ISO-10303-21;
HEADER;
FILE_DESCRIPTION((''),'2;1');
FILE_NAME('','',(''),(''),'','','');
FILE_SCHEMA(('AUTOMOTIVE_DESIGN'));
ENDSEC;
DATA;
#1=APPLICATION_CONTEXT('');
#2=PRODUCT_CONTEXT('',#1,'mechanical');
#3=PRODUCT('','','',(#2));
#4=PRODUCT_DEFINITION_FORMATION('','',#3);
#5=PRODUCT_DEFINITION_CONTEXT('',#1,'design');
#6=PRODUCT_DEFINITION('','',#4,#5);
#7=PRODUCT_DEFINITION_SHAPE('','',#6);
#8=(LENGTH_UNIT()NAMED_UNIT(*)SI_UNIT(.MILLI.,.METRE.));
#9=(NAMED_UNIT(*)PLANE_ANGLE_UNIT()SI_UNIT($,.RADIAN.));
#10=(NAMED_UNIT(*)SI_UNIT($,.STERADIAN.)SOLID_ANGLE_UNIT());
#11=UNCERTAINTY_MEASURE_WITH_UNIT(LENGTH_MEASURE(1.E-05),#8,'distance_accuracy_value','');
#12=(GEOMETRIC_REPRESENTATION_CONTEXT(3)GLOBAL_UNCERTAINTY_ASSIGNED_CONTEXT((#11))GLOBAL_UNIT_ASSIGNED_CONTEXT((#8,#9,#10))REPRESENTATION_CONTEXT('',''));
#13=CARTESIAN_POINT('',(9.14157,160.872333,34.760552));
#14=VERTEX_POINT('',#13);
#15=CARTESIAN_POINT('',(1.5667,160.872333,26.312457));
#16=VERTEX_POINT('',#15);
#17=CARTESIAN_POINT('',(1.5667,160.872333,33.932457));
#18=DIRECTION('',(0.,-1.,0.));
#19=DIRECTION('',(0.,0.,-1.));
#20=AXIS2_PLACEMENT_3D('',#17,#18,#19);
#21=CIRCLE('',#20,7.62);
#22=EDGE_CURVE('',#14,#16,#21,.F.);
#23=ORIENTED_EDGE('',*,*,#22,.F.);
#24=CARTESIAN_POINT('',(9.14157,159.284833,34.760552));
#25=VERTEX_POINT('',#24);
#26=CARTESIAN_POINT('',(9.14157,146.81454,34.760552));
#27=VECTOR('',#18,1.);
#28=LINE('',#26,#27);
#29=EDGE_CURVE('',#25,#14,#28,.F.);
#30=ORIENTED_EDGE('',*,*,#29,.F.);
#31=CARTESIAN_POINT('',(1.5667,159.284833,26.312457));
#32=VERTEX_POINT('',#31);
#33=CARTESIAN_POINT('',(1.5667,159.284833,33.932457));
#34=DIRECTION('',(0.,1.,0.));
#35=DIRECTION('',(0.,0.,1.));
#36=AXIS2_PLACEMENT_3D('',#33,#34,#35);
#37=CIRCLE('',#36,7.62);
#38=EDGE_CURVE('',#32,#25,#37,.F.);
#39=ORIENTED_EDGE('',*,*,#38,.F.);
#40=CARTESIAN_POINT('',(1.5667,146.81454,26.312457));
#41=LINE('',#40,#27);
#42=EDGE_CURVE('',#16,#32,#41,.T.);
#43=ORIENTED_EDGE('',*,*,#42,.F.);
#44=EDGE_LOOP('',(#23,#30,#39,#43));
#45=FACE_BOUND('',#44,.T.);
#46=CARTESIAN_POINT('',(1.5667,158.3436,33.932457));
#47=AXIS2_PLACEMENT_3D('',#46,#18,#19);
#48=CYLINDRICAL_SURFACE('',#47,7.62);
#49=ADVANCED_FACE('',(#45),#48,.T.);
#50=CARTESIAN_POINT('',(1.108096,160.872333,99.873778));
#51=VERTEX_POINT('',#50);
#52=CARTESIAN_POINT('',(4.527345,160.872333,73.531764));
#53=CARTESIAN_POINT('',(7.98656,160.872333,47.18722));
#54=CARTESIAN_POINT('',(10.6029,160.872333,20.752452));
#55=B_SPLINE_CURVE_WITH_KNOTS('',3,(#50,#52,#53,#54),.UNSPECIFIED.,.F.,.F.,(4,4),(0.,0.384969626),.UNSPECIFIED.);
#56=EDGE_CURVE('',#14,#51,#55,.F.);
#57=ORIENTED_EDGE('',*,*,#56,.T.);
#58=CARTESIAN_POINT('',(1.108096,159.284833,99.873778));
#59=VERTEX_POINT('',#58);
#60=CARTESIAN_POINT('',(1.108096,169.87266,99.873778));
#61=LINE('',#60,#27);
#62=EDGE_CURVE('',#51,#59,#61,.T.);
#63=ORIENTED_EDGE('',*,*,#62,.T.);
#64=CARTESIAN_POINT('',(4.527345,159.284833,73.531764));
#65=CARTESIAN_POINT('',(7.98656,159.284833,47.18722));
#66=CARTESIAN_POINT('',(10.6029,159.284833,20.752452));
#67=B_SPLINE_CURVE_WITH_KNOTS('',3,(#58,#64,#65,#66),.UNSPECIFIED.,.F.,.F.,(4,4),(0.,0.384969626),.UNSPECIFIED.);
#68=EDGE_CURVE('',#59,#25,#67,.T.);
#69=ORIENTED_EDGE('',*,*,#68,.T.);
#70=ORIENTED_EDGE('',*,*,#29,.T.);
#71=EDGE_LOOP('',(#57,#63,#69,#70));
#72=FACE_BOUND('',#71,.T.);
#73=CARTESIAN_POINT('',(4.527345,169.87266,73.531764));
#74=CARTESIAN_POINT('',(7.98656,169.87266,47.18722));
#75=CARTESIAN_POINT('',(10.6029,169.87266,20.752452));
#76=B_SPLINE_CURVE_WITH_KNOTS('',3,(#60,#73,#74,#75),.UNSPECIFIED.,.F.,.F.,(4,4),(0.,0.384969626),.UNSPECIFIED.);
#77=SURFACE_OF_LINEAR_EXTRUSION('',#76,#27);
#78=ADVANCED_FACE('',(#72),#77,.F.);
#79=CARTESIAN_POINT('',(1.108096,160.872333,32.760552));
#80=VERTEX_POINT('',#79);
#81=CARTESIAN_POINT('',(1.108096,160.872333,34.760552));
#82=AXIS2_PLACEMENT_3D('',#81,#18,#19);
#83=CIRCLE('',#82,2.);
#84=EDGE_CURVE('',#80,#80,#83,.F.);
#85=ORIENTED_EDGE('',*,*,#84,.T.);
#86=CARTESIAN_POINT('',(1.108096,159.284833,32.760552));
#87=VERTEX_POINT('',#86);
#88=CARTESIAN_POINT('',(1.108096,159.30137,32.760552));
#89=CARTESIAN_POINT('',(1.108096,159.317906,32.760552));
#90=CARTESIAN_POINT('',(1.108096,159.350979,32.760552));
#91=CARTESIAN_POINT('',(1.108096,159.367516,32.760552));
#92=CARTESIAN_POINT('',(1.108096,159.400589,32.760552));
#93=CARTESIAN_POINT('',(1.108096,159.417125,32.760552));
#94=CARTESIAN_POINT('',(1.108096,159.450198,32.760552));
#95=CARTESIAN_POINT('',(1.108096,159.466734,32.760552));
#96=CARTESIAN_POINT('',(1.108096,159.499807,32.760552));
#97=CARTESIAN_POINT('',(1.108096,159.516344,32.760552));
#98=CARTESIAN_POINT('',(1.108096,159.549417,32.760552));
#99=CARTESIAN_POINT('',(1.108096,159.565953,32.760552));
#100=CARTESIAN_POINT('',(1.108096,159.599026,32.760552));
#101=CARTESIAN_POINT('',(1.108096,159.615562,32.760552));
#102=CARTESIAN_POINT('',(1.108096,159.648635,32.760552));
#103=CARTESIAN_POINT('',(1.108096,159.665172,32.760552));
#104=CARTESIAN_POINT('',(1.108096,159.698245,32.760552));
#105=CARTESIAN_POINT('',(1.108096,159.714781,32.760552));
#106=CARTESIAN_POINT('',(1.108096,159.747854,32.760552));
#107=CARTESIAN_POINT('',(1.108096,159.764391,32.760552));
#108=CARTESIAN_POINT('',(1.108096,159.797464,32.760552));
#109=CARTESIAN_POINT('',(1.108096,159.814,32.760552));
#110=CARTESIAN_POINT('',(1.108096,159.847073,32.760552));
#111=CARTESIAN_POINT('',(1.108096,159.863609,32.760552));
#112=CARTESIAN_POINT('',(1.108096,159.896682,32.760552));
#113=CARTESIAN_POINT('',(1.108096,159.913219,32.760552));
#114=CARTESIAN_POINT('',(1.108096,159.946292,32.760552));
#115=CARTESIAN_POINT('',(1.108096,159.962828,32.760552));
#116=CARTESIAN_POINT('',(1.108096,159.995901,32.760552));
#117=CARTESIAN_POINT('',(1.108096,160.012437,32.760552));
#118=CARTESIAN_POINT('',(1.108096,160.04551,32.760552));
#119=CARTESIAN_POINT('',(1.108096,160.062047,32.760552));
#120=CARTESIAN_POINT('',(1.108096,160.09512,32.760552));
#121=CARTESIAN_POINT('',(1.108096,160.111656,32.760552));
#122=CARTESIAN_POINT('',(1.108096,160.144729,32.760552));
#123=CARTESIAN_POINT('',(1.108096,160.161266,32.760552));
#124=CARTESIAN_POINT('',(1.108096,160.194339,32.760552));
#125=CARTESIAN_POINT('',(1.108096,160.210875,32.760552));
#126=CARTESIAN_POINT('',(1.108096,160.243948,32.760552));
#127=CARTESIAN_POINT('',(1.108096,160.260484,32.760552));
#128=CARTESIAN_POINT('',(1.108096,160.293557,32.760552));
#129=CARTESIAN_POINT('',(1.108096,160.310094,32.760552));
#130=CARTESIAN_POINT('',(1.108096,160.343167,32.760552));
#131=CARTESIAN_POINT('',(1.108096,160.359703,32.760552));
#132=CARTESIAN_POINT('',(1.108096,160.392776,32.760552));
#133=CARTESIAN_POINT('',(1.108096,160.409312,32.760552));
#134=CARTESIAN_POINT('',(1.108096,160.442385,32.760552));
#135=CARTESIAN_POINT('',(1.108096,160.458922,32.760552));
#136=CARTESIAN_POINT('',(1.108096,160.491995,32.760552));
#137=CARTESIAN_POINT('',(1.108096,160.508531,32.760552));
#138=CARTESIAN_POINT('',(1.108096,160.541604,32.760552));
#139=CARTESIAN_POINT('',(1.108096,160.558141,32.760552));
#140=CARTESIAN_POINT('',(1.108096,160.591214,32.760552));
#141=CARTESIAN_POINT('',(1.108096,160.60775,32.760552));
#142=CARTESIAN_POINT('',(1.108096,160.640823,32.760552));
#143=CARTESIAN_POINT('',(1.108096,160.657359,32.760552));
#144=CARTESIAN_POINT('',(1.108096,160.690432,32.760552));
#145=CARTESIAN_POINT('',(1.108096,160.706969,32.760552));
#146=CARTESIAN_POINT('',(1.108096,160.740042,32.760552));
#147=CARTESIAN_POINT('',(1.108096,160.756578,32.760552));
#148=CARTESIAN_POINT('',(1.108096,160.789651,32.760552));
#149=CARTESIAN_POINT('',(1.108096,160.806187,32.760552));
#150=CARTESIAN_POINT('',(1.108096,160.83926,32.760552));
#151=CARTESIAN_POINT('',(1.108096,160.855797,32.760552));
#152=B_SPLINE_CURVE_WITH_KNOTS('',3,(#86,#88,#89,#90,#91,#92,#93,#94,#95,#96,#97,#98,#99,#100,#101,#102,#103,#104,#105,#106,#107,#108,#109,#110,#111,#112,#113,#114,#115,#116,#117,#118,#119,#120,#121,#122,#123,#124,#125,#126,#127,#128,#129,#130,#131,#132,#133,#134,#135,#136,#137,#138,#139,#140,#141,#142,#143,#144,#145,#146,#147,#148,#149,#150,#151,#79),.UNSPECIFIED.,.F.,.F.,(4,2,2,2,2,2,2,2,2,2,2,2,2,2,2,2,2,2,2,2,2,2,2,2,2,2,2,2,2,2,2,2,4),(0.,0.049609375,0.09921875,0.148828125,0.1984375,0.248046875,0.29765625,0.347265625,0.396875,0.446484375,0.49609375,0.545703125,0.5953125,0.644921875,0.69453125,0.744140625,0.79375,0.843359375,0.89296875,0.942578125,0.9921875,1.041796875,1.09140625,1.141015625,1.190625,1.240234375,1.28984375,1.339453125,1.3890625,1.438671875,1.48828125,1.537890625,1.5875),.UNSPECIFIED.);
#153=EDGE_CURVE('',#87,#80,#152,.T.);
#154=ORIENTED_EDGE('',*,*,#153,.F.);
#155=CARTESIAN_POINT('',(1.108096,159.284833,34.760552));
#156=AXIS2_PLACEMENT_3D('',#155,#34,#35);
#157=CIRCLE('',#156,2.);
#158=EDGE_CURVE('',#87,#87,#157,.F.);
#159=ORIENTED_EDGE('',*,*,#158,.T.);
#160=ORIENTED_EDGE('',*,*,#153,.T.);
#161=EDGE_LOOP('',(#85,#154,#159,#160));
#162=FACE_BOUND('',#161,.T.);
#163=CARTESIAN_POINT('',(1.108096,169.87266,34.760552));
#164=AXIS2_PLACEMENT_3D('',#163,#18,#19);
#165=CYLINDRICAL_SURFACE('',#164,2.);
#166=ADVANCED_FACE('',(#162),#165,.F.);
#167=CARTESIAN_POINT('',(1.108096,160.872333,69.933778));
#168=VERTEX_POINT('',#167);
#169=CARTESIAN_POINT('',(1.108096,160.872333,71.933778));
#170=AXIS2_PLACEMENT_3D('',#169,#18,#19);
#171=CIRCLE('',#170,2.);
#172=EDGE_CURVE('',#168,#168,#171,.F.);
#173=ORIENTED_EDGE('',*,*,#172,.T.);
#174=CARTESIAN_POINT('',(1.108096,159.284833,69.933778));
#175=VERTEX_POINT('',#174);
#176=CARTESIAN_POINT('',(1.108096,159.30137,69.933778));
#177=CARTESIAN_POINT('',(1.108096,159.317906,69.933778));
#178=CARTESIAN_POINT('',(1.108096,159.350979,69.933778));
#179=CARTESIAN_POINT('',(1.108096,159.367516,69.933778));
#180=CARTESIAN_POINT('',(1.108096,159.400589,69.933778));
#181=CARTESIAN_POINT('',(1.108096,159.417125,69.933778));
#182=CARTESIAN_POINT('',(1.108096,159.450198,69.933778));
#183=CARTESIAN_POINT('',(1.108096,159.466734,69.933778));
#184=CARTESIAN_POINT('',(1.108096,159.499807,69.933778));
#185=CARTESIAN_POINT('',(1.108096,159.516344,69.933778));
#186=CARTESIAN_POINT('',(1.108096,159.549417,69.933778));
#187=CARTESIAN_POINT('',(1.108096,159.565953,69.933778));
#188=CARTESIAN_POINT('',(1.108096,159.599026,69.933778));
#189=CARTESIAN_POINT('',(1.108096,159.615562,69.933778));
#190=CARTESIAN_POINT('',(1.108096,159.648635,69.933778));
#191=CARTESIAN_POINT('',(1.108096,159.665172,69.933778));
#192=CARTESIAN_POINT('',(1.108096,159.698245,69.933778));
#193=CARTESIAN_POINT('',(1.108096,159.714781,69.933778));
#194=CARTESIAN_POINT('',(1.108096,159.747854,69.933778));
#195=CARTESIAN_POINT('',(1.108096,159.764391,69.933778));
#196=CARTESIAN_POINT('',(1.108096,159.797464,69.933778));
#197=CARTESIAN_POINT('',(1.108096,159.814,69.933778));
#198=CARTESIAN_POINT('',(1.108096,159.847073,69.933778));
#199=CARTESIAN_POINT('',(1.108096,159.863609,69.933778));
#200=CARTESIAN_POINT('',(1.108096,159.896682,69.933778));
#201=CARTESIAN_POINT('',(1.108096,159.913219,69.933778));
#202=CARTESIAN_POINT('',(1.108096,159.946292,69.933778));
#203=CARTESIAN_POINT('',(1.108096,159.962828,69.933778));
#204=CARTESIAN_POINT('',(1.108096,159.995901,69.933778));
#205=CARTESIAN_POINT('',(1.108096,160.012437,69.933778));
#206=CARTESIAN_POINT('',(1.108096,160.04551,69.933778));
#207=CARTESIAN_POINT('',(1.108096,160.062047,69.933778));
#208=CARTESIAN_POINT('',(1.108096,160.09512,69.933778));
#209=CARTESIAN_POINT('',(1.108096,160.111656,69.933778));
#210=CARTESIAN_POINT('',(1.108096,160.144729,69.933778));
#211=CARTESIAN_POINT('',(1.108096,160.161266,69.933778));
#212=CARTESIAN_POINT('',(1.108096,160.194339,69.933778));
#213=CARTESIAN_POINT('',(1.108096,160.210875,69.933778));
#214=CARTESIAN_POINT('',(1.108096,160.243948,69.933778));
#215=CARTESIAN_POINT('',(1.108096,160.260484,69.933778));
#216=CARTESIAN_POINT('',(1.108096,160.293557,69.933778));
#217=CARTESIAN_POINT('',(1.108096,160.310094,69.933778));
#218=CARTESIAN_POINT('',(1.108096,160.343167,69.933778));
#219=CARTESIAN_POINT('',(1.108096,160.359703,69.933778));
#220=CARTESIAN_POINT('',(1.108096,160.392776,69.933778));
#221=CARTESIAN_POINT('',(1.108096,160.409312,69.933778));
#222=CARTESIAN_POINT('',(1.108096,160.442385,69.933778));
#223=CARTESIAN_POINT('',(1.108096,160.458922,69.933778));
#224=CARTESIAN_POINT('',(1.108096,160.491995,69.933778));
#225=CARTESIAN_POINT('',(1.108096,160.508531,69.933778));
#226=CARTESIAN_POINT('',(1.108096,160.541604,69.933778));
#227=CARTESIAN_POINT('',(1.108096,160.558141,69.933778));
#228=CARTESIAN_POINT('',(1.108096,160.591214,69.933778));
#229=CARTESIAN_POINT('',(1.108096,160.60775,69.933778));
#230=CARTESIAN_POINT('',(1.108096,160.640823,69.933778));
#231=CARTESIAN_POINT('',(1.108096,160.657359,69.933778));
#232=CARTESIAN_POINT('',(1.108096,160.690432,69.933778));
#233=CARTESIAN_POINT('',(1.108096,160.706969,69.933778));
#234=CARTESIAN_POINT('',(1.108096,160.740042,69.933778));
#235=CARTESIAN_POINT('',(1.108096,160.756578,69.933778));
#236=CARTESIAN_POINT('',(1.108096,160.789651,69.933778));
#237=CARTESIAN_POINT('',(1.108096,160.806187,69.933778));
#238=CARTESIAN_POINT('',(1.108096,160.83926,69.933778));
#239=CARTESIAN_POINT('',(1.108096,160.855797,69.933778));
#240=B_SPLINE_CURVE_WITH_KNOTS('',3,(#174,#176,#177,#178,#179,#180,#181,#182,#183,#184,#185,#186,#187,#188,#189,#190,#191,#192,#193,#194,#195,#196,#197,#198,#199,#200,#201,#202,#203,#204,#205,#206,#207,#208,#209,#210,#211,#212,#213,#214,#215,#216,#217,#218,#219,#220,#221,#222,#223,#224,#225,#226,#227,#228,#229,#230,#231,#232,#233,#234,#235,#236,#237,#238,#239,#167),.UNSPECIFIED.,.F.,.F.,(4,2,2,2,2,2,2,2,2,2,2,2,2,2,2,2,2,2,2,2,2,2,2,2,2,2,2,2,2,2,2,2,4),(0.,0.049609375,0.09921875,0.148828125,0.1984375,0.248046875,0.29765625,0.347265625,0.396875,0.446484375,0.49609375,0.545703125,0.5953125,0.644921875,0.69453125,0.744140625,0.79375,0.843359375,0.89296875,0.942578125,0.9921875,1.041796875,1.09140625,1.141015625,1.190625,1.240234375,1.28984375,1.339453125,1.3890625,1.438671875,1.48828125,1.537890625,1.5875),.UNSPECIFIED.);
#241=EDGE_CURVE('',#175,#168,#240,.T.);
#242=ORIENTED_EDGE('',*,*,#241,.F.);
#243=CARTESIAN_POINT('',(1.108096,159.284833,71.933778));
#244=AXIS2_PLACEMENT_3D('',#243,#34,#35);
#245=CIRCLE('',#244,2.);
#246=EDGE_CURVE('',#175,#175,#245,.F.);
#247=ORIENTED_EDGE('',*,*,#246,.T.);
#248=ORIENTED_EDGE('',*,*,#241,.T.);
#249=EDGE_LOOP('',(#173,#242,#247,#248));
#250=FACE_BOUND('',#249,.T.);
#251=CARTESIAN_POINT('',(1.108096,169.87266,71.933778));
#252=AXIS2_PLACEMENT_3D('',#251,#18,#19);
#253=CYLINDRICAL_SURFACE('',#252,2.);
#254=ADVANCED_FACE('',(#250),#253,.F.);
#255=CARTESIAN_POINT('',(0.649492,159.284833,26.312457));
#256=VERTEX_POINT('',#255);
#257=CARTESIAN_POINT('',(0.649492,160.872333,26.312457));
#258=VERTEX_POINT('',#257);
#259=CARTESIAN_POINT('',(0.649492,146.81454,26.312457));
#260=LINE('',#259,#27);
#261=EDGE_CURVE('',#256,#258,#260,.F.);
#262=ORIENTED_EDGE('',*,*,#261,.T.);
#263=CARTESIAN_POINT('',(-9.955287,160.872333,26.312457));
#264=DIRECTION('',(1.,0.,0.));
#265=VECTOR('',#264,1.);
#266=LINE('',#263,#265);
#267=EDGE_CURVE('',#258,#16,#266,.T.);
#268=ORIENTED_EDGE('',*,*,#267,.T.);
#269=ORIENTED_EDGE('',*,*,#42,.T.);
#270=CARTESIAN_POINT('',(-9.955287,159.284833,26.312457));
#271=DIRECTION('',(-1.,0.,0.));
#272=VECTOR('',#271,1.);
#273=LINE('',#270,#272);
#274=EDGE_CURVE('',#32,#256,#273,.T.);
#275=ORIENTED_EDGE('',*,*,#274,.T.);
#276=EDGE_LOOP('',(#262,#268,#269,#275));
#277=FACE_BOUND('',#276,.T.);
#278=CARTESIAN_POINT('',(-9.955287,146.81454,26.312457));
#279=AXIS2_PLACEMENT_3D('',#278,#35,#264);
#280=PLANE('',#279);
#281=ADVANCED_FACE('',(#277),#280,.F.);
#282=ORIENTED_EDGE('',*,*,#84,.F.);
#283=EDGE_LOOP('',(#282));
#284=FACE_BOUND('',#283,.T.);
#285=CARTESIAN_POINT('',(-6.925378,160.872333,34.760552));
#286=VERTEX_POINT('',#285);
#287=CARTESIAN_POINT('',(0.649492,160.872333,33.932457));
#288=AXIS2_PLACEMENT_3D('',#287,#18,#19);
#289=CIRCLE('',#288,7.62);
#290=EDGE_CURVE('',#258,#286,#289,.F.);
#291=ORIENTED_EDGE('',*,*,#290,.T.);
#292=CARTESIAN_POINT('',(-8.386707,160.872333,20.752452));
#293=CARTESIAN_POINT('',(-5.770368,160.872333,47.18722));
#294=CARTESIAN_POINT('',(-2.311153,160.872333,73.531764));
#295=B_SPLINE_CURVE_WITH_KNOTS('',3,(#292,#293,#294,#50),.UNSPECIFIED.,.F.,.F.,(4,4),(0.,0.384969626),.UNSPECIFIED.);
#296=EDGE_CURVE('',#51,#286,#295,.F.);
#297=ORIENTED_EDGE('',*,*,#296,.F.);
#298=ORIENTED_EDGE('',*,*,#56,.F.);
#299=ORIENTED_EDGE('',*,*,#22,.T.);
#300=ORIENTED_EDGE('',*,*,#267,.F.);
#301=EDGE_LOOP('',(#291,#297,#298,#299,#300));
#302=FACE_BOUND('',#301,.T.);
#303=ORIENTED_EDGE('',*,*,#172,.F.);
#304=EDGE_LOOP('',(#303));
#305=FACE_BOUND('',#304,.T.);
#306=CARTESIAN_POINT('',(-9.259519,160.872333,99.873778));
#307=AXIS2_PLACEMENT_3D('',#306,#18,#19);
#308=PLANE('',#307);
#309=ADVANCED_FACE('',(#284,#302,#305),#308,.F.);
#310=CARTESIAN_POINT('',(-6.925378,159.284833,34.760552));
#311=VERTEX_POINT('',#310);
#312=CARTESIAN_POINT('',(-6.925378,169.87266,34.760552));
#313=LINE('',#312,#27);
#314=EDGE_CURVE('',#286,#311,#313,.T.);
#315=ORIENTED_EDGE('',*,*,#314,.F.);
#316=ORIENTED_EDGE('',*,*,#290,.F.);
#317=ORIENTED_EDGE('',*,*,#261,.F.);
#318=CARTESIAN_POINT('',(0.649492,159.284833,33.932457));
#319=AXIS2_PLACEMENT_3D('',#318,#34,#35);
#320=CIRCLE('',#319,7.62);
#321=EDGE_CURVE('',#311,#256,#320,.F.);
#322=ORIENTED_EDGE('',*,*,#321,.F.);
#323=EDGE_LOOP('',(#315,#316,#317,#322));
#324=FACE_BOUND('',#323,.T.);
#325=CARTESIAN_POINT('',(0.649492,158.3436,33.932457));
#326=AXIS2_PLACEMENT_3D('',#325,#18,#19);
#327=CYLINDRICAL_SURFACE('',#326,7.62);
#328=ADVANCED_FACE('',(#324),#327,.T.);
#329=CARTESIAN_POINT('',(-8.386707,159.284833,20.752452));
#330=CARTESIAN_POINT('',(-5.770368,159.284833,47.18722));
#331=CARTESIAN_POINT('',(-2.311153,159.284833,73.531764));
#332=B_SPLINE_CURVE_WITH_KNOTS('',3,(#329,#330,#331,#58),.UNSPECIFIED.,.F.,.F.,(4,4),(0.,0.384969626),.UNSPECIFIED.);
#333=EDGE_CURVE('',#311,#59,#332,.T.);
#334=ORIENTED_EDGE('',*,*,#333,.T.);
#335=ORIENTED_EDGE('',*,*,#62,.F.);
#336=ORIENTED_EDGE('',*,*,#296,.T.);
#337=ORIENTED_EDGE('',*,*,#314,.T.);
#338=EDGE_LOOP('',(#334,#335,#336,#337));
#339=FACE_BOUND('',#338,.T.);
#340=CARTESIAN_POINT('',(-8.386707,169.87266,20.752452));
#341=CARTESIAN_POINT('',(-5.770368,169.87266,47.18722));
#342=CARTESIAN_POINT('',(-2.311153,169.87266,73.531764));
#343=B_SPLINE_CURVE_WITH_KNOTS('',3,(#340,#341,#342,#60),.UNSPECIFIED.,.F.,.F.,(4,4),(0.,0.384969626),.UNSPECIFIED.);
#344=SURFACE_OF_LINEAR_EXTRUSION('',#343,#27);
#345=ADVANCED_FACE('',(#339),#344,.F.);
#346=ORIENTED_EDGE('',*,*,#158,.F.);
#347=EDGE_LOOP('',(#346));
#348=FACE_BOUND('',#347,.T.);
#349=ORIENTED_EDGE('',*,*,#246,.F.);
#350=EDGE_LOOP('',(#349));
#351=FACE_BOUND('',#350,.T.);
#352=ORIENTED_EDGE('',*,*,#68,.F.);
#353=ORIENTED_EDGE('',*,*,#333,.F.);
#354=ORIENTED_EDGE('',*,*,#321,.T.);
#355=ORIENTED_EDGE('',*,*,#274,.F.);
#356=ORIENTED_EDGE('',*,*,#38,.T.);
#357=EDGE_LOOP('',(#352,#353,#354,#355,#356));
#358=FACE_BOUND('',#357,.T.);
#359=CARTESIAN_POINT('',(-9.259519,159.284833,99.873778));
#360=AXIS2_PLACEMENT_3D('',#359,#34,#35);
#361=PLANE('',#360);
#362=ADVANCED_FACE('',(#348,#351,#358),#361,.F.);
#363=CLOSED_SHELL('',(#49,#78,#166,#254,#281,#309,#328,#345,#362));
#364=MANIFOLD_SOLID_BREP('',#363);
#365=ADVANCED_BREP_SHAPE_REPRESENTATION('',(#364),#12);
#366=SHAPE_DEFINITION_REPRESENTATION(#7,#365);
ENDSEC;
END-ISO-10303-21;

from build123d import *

# Parameters (mm, degrees)
SKETCH1_R               = 1.984375
BOSS_EXTRUDE1_DEPTH     = 169.87266
SKETCH2_W               = 35.763807095
SKETCH2_H               = 22.705005105
CUT_EXTRUDE1_DEPTH      = 23.05812
CUT_EXTRUDE2_START      = -169.87266
SKETCH2_2_W             = 35.763807095
SKETCH2_2_H             = 22.705005105
CUT_EXTRUDE2_DEPTH      = 23.05812
FILLET1_R               = 7.62
CUT_EXTRUDE3_DEPTH      = 198.390942599
CUT_EXTRUDE3_DEPTH_BACK = 198.390942599
SKETCH6_R               = 2
CUT_EXTRUDE4_DEPTH      = 198.390942599
CUT_EXTRUDE4_DEPTH_BACK = 198.390942599
SKETCH7_W               = 96.266326783
SKETCH7_H               = 159.284833333
SKETCH7_H_2             = 9.000326667


with BuildPart() as part:
    # Sketch1 → Boss-Extrude1 (new body)
    with BuildSketch(Plane(origin=(0, 0, 0), x_dir=(1, 0, 0), z_dir=(0, 1, 0))):
        with BuildLine():
            Line((-9.955287346, -3.607451573), (-6.769721368, -3.607451573))
            Line((-6.769721368, -3.607451573), (8.985913589, -3.607451573))
            Line((8.985913589, -3.607451573), (12.171479568, -3.607451573))
            add(Edge.make_bspline(
                [(10.60289965, -20.752451573), (11.099968974, -15.730201571), (11.630563617, -10.016003166), (12.113997871, -4.296816952), (12.171479568, -3.607451573)],
                knots=[0.384969626, 0.384969626, 0.384969626, 0.384969626, 0.458108671, 0.468131593, 0.468131593, 0.468131593, 0.468131593], degree=3))
            add(Edge.make_bspline(
                [(1.108096111, -99.873778356), (4.527344744, -73.531764163), (7.9865599, -47.187219652), (10.60289965, -20.752451573)],
                knots=[0, 0, 0, 0, 0.384969626, 0.384969626, 0.384969626, 0.384969626], degree=3))
            add(Edge.make_bspline(
                [(1.108096111, -99.873778356), (-2.311152522, -73.531764163), (-5.770367679, -47.187219652), (-8.386707429, -20.752451573)],
                knots=[0, 0, 0, 0, 0.384969626, 0.384969626, 0.384969626, 0.384969626], degree=3))
            add(Edge.make_bspline(
                [(-8.386707429, -20.752451573), (-8.883776753, -15.730201571), (-9.414371396, -10.016003166), (-9.89780565, -4.296816952), (-9.955287346, -3.607451573)],
                knots=[0.384969626, 0.384969626, 0.384969626, 0.384969626, 0.458108671, 0.468131593, 0.468131593, 0.468131593, 0.468131593], degree=3))
        make_face()
        with Locations(Location((1.108108569, -11.326456678, 0), (0, 0, 270))):
            Circle(SKETCH1_R, mode=Mode.SUBTRACT)
    extrude(amount=BOSS_EXTRUDE1_DEPTH)

    # Sketch2 → Cut-Extrude1 (cut)
    with BuildSketch(Plane(origin=(0, 169.87266, 0), x_dir=(1, 0, 0), z_dir=(0, 1, 0))):
        with Locations((7.926616202, -14.959954125)):
            Rectangle(SKETCH2_W, SKETCH2_H)
    extrude(amount=-CUT_EXTRUDE1_DEPTH, mode=Mode.SUBTRACT)

    # Sketch2<2> → Cut-Extrude2 (cut)
    with BuildSketch(Plane(origin=(0, 169.87266, 0), x_dir=(1, 0, 0), z_dir=(0, 1, 0)).offset(CUT_EXTRUDE2_START)):
        with Locations((7.926616202, -14.959954125)):
            Rectangle(SKETCH2_2_W, SKETCH2_2_H)
    extrude(amount=CUT_EXTRUDE2_DEPTH, mode=Mode.SUBTRACT)

    # Fillet1
    fillet1_edges = [part.edges().sort_by_distance(p)[0] for p in [
        (-7.824155374, 11.52906, 26.312456678),
        (10.040347595, 11.52906, 26.312456678),
        (-9.955287346, 84.93633, 3.607451573),
        (12.171479568, 84.93633, 3.607451573),
        (-7.824155374, 158.3436, 26.312456678),
        (10.040347595, 158.3436, 26.312456678),
    ]]
    fillet(fillet1_edges, radius=FILLET1_R)

    # Sketch6 → Cut-Extrude3 (cut, two sides: drawn at the far end of the back side and taken through both)
    with BuildSketch(Plane.XZ.offset(-CUT_EXTRUDE3_DEPTH_BACK)):
        with Locations(Location((1.108096111, 71.933778356, 0), (0, 0, 270))):
            Circle(SKETCH6_R)
        with Locations(Location((1.108096111, 34.760552137, 0), (0, 0, 270))):
            Circle(SKETCH6_R)
    extrude(amount=CUT_EXTRUDE3_DEPTH + CUT_EXTRUDE3_DEPTH_BACK, mode=Mode.SUBTRACT)

    # Sketch7 → Cut-Extrude4 (cut, two sides: drawn at the far end of the back side and taken through both)
    with BuildSketch(Plane(origin=(0, 0, 0), x_dir=(0, 0, -1), z_dir=(1, 0, 0)).offset(-CUT_EXTRUDE4_DEPTH_BACK)):
        with Locations((-51.740614965, 79.642416667)):
            Rectangle(SKETCH7_W, SKETCH7_H)
        with Locations((-51.740614965, 165.372496667)):
            Rectangle(SKETCH7_W, SKETCH7_H_2)
    extrude(amount=CUT_EXTRUDE4_DEPTH + CUT_EXTRUDE4_DEPTH_BACK, mode=Mode.SUBTRACT)


solid = part.part
